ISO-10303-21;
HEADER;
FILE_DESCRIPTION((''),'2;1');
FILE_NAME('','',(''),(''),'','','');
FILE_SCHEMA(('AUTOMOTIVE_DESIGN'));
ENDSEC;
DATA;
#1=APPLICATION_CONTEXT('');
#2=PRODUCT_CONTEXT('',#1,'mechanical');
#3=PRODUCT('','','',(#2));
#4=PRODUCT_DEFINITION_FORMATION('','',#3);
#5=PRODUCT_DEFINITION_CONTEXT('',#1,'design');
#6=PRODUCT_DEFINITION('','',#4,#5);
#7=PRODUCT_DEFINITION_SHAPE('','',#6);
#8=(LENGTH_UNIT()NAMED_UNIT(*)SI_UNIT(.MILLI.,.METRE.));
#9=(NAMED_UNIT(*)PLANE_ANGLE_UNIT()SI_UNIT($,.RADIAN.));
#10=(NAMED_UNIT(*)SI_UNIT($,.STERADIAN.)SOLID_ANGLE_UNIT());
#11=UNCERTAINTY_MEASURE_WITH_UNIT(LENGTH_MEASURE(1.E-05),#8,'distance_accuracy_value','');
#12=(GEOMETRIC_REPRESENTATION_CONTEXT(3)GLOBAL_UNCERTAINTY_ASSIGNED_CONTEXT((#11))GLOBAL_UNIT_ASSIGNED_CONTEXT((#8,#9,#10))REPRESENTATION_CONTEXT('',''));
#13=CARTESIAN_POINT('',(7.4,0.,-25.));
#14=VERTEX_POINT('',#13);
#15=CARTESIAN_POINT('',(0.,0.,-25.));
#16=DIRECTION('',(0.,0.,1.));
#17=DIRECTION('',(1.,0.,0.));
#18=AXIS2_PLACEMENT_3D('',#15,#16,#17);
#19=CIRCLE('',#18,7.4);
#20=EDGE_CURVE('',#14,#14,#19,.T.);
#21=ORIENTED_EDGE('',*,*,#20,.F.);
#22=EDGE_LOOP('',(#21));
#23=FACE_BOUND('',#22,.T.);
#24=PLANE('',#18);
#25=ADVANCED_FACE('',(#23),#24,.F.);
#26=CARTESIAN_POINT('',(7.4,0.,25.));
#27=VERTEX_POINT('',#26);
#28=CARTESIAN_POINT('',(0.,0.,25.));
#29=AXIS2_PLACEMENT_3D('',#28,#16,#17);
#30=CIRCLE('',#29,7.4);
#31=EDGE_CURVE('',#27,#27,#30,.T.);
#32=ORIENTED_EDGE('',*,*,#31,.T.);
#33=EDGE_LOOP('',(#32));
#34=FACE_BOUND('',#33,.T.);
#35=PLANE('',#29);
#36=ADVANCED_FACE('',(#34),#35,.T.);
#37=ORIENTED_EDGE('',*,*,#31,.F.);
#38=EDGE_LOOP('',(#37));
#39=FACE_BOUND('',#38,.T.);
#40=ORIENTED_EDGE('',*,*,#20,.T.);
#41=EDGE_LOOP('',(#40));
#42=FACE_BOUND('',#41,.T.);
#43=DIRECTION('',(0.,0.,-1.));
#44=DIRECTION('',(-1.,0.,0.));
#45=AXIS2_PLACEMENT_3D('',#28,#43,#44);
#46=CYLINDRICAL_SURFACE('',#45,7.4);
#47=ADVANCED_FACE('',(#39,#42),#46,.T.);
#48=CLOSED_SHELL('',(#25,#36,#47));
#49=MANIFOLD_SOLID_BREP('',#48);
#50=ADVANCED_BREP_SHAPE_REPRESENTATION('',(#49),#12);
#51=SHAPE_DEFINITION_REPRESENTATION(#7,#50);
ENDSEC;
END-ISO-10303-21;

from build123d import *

# Parameters (mm, degrees)
SKETCH1_R           = 7.4
BOSS_EXTRUDE1_DEPTH = 25


with BuildPart() as part:
    # Sketch1 → Boss-Extrude1 (new body, symmetric)
    with BuildSketch(Plane.XY):
        Circle(SKETCH1_R)
    extrude(amount=BOSS_EXTRUDE1_DEPTH, both=True)


solid = part.part
